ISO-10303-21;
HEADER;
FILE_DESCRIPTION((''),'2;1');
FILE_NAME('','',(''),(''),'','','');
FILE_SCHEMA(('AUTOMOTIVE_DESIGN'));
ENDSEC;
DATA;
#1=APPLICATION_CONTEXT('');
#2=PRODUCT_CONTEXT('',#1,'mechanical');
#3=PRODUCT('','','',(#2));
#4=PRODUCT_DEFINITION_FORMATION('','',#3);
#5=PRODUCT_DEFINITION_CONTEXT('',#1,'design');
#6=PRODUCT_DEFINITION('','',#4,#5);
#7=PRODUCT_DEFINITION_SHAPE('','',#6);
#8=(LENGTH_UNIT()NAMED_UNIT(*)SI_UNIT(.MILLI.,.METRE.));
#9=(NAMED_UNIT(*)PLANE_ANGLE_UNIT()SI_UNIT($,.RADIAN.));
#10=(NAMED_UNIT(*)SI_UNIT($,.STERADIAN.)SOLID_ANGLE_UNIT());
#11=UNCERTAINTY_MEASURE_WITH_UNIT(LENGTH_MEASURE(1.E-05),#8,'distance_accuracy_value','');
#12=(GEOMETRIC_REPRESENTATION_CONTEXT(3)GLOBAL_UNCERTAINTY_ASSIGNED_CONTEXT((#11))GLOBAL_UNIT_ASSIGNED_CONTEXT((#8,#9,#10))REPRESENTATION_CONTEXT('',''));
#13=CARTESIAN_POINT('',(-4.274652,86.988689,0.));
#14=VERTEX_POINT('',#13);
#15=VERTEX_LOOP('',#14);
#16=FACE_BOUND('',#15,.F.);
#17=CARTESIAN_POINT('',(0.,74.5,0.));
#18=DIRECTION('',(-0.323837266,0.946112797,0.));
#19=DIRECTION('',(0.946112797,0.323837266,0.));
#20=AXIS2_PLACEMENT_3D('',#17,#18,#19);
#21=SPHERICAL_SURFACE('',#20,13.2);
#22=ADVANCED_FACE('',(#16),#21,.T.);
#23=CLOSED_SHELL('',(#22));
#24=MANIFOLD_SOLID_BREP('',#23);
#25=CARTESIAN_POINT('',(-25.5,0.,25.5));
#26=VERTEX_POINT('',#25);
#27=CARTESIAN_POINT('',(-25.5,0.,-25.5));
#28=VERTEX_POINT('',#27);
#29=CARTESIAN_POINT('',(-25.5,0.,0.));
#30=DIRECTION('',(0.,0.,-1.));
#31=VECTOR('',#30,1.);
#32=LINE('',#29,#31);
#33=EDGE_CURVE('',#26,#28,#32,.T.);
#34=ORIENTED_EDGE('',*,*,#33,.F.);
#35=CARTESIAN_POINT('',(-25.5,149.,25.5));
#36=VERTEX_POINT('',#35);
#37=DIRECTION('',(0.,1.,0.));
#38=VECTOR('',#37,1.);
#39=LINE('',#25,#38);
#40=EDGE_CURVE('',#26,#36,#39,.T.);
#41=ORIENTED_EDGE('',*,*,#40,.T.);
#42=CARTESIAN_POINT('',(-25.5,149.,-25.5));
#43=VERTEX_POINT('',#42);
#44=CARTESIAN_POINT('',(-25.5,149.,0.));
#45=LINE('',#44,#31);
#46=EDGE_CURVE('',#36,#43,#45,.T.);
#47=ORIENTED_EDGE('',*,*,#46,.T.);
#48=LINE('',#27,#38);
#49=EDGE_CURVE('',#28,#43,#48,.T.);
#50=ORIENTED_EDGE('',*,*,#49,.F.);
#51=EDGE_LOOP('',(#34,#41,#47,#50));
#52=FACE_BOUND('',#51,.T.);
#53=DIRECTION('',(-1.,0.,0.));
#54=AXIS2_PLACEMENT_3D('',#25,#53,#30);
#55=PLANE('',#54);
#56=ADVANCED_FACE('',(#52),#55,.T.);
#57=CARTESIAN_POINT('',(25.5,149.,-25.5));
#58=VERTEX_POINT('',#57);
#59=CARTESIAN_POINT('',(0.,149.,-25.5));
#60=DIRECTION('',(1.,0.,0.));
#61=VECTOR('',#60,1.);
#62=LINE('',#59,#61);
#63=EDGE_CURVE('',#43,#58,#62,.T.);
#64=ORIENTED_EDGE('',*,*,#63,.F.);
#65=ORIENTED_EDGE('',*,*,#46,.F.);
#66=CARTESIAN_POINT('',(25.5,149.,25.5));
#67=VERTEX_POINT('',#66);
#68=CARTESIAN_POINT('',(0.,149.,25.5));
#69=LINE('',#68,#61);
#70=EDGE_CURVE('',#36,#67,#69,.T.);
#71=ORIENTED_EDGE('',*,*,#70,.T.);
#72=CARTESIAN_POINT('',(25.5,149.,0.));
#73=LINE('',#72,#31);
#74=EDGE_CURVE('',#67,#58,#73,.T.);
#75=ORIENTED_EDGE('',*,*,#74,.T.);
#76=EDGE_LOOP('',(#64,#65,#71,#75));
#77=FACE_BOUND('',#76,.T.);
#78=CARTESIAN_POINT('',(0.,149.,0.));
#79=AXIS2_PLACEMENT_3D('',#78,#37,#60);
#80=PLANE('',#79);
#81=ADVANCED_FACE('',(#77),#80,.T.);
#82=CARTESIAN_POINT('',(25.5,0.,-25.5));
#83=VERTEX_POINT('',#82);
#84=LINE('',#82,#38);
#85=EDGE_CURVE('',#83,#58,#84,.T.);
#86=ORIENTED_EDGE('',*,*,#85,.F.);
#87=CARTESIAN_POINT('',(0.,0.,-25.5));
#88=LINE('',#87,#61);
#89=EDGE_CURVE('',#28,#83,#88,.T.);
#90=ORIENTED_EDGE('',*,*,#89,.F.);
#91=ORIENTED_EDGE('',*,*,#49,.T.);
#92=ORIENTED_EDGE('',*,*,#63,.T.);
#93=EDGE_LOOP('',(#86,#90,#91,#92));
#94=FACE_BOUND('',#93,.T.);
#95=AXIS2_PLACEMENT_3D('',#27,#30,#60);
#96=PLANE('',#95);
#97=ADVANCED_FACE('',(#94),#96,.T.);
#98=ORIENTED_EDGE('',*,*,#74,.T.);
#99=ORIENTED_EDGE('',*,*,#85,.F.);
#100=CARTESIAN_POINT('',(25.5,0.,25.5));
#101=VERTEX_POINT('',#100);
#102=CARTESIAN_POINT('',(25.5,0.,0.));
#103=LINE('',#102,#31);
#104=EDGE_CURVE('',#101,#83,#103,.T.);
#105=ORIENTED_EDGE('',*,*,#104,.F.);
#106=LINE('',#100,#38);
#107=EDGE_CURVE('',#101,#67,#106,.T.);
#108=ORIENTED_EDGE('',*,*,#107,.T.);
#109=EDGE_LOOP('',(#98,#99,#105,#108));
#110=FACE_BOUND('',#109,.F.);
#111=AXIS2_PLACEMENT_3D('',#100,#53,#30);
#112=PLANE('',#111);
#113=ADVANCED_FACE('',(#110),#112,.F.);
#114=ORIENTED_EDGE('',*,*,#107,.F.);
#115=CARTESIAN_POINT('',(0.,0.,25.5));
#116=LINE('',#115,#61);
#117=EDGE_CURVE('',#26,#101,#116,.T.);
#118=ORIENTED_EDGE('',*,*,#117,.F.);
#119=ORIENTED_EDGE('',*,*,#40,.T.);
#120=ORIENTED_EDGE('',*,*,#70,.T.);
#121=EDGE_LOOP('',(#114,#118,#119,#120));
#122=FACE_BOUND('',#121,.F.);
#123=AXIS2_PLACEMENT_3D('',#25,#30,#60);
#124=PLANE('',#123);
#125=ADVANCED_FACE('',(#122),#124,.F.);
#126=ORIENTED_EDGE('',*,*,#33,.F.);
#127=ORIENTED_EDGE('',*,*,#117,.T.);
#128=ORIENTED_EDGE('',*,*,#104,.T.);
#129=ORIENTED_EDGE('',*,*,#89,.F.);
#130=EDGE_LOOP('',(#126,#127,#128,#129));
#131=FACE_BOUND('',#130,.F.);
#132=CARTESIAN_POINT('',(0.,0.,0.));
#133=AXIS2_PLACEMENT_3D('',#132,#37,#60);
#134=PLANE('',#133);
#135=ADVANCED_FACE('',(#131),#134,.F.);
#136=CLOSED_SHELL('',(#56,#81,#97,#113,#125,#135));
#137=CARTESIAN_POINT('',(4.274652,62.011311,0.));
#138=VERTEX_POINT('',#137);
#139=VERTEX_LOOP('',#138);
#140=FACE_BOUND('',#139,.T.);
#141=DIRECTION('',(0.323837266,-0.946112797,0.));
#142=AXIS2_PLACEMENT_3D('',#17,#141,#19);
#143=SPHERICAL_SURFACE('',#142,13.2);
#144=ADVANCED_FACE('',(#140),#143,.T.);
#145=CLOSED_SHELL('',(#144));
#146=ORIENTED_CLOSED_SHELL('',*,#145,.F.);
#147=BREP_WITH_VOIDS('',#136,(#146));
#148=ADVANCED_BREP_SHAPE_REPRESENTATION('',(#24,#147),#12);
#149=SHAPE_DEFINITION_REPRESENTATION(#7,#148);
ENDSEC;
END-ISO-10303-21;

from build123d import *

# Parameters (mm, degrees)
SKETCH1_W           = 51
SKETCH1_H           = 51
BOSS_EXTRUDE1_DEPTH = 149


with BuildPart() as part:
    # Sketch1 → Boss-Extrude1 (new body)
    with BuildSketch(Plane(origin=(0, 0, 0), x_dir=(1, 0, 0), z_dir=(0, 1, 0))):
        Rectangle(SKETCH1_W, SKETCH1_H)
    extrude(amount=BOSS_EXTRUDE1_DEPTH)

    # Sketch2 → Cut-Revolve1 (revolve, cut)
    with BuildSketch(Plane.XY):
        with BuildLine():
            ThreePointArc((4.274651913, 62.011311077), (12.488688923, 78.774651913), (-4.274651913, 86.988688923))
            Line((-4.274651913, 86.988688923), (4.274651913, 62.011311077))
        make_face()
    revolve(axis=Axis((-25.5, 149, 0), (0.32383726615945974, -0.9461127972109706, 0)), mode=Mode.SUBTRACT)


with BuildPart() as body_2:
    # Sketch2<4> → Revolve2 (revolve)
    with BuildSketch(Plane.XY):
        with BuildLine():
            Line((-4.274651913, 86.988688923), (4.274651913, 62.011311077))
            ThreePointArc((4.274651913, 62.011311077), (12.488688923, 78.774651913), (-4.274651913, 86.988688923))
        make_face()
    revolve(axis=Axis((-25.5, 149, 0), (0.32383726615945974, -0.9461127972109706, 0)))


solid = Compound([part.part, body_2.part])
